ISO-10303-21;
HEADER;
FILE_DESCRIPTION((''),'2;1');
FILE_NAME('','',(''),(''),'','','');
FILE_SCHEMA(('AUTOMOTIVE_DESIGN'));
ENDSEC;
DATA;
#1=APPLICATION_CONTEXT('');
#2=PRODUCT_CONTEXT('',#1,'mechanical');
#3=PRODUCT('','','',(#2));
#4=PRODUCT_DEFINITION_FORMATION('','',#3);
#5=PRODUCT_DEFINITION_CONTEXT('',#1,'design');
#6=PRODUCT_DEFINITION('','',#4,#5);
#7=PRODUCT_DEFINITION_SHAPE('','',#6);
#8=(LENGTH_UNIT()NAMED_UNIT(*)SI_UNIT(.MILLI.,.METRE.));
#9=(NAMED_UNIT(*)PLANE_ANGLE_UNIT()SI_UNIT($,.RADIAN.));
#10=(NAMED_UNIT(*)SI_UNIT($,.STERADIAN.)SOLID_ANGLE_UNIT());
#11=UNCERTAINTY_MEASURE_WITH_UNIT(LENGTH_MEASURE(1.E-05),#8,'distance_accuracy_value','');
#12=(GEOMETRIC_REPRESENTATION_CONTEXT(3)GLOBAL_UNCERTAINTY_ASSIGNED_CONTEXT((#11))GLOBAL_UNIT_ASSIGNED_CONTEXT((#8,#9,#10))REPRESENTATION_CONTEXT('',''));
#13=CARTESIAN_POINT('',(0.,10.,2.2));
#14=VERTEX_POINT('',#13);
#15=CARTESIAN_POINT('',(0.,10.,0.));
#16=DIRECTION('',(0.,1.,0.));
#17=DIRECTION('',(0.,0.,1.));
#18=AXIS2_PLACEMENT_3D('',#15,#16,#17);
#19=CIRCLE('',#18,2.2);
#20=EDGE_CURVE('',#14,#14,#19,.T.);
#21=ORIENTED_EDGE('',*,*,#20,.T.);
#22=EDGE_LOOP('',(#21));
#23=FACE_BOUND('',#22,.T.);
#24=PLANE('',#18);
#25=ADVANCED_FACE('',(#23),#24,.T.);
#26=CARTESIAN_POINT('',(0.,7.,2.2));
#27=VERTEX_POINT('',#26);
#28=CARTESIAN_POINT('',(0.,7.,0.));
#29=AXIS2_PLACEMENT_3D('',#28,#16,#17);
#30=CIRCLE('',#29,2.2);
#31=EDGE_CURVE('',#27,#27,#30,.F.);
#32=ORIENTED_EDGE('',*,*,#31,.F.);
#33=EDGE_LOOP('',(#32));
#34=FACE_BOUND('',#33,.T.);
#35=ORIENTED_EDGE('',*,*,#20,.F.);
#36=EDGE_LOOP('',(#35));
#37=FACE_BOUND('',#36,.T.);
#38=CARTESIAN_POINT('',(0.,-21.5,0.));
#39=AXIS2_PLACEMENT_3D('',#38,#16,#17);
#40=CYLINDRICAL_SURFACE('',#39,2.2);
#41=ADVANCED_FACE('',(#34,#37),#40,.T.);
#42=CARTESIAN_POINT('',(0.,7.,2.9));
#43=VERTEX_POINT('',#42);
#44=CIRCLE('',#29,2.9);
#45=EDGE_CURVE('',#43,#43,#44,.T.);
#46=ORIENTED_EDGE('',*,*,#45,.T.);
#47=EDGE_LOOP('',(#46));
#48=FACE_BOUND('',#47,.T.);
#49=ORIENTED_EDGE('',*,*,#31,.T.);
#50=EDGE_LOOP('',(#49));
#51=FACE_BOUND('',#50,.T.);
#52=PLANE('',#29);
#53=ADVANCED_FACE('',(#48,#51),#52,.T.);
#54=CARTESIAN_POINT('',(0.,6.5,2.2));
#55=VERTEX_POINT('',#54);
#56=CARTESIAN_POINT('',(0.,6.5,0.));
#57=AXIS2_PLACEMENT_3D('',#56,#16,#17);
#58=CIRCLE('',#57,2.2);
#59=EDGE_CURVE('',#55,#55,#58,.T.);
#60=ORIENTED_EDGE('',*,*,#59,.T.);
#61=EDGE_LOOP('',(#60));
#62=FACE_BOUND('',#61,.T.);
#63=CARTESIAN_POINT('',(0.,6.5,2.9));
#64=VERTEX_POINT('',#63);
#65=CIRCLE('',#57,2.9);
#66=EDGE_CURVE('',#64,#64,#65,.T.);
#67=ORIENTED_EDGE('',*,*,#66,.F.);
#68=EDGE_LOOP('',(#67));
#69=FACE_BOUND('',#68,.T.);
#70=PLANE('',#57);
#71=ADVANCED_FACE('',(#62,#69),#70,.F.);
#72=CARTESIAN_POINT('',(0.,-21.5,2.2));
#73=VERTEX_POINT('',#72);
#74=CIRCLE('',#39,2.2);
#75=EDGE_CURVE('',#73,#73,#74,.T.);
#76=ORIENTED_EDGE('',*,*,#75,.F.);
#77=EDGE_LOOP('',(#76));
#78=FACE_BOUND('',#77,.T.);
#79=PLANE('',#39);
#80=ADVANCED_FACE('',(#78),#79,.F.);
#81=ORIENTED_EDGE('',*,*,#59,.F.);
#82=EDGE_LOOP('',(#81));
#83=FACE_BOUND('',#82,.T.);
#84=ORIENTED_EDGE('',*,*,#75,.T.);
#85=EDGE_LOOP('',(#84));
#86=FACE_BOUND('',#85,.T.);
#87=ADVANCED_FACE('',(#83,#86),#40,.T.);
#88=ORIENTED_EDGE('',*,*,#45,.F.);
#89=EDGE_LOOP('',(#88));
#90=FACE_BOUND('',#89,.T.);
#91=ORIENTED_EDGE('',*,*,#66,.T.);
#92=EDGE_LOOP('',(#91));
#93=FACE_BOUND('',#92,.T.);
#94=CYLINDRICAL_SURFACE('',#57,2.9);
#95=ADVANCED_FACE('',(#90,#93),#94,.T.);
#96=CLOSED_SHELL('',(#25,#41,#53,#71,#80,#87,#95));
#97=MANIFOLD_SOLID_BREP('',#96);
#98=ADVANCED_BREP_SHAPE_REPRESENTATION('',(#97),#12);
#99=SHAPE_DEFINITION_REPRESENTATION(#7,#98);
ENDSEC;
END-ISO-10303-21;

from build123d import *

# Parameters (mm, degrees)
BOSS_EXTRUDE1_DEPTH      = 10
BOSS_EXTRUDE1_DEPTH_BACK = 21.5
SKETCH1_R                = 2.2
SKETCH2_R                = 2.9
SKETCH2_R_2              = 2.2
BOSS_EXTRUDE2_DEPTH      = 0.5


with BuildPart() as part:
    # Sketch1 → Boss-Extrude1 (new, two sides: drawn at the far end of the back side and taken through both)
    with BuildSketch(Plane(origin=(0, 0, 0), x_dir=(1, 0, 0), z_dir=(0, 1, 0)).offset(-BOSS_EXTRUDE1_DEPTH_BACK)):
        with Locations(Location((0, 0, 0), (0, 0, 270))):
            Circle(SKETCH1_R)
    extrude(amount=BOSS_EXTRUDE1_DEPTH + BOSS_EXTRUDE1_DEPTH_BACK)

    # Sketch2 → Boss-Extrude2 (add)
    with BuildSketch(Plane(origin=(0, 7, 0), x_dir=(1, 0, 0), z_dir=(0, 1, 0))):
        with Locations(Location((0, 0, 0), (0, 0, 270))):
            Circle(SKETCH2_R)
        with Locations(Location((0, 0, 0), (0, 0, 270))):
            Circle(SKETCH2_R_2, mode=Mode.SUBTRACT)
    extrude(amount=-BOSS_EXTRUDE2_DEPTH)


solid = part.part
